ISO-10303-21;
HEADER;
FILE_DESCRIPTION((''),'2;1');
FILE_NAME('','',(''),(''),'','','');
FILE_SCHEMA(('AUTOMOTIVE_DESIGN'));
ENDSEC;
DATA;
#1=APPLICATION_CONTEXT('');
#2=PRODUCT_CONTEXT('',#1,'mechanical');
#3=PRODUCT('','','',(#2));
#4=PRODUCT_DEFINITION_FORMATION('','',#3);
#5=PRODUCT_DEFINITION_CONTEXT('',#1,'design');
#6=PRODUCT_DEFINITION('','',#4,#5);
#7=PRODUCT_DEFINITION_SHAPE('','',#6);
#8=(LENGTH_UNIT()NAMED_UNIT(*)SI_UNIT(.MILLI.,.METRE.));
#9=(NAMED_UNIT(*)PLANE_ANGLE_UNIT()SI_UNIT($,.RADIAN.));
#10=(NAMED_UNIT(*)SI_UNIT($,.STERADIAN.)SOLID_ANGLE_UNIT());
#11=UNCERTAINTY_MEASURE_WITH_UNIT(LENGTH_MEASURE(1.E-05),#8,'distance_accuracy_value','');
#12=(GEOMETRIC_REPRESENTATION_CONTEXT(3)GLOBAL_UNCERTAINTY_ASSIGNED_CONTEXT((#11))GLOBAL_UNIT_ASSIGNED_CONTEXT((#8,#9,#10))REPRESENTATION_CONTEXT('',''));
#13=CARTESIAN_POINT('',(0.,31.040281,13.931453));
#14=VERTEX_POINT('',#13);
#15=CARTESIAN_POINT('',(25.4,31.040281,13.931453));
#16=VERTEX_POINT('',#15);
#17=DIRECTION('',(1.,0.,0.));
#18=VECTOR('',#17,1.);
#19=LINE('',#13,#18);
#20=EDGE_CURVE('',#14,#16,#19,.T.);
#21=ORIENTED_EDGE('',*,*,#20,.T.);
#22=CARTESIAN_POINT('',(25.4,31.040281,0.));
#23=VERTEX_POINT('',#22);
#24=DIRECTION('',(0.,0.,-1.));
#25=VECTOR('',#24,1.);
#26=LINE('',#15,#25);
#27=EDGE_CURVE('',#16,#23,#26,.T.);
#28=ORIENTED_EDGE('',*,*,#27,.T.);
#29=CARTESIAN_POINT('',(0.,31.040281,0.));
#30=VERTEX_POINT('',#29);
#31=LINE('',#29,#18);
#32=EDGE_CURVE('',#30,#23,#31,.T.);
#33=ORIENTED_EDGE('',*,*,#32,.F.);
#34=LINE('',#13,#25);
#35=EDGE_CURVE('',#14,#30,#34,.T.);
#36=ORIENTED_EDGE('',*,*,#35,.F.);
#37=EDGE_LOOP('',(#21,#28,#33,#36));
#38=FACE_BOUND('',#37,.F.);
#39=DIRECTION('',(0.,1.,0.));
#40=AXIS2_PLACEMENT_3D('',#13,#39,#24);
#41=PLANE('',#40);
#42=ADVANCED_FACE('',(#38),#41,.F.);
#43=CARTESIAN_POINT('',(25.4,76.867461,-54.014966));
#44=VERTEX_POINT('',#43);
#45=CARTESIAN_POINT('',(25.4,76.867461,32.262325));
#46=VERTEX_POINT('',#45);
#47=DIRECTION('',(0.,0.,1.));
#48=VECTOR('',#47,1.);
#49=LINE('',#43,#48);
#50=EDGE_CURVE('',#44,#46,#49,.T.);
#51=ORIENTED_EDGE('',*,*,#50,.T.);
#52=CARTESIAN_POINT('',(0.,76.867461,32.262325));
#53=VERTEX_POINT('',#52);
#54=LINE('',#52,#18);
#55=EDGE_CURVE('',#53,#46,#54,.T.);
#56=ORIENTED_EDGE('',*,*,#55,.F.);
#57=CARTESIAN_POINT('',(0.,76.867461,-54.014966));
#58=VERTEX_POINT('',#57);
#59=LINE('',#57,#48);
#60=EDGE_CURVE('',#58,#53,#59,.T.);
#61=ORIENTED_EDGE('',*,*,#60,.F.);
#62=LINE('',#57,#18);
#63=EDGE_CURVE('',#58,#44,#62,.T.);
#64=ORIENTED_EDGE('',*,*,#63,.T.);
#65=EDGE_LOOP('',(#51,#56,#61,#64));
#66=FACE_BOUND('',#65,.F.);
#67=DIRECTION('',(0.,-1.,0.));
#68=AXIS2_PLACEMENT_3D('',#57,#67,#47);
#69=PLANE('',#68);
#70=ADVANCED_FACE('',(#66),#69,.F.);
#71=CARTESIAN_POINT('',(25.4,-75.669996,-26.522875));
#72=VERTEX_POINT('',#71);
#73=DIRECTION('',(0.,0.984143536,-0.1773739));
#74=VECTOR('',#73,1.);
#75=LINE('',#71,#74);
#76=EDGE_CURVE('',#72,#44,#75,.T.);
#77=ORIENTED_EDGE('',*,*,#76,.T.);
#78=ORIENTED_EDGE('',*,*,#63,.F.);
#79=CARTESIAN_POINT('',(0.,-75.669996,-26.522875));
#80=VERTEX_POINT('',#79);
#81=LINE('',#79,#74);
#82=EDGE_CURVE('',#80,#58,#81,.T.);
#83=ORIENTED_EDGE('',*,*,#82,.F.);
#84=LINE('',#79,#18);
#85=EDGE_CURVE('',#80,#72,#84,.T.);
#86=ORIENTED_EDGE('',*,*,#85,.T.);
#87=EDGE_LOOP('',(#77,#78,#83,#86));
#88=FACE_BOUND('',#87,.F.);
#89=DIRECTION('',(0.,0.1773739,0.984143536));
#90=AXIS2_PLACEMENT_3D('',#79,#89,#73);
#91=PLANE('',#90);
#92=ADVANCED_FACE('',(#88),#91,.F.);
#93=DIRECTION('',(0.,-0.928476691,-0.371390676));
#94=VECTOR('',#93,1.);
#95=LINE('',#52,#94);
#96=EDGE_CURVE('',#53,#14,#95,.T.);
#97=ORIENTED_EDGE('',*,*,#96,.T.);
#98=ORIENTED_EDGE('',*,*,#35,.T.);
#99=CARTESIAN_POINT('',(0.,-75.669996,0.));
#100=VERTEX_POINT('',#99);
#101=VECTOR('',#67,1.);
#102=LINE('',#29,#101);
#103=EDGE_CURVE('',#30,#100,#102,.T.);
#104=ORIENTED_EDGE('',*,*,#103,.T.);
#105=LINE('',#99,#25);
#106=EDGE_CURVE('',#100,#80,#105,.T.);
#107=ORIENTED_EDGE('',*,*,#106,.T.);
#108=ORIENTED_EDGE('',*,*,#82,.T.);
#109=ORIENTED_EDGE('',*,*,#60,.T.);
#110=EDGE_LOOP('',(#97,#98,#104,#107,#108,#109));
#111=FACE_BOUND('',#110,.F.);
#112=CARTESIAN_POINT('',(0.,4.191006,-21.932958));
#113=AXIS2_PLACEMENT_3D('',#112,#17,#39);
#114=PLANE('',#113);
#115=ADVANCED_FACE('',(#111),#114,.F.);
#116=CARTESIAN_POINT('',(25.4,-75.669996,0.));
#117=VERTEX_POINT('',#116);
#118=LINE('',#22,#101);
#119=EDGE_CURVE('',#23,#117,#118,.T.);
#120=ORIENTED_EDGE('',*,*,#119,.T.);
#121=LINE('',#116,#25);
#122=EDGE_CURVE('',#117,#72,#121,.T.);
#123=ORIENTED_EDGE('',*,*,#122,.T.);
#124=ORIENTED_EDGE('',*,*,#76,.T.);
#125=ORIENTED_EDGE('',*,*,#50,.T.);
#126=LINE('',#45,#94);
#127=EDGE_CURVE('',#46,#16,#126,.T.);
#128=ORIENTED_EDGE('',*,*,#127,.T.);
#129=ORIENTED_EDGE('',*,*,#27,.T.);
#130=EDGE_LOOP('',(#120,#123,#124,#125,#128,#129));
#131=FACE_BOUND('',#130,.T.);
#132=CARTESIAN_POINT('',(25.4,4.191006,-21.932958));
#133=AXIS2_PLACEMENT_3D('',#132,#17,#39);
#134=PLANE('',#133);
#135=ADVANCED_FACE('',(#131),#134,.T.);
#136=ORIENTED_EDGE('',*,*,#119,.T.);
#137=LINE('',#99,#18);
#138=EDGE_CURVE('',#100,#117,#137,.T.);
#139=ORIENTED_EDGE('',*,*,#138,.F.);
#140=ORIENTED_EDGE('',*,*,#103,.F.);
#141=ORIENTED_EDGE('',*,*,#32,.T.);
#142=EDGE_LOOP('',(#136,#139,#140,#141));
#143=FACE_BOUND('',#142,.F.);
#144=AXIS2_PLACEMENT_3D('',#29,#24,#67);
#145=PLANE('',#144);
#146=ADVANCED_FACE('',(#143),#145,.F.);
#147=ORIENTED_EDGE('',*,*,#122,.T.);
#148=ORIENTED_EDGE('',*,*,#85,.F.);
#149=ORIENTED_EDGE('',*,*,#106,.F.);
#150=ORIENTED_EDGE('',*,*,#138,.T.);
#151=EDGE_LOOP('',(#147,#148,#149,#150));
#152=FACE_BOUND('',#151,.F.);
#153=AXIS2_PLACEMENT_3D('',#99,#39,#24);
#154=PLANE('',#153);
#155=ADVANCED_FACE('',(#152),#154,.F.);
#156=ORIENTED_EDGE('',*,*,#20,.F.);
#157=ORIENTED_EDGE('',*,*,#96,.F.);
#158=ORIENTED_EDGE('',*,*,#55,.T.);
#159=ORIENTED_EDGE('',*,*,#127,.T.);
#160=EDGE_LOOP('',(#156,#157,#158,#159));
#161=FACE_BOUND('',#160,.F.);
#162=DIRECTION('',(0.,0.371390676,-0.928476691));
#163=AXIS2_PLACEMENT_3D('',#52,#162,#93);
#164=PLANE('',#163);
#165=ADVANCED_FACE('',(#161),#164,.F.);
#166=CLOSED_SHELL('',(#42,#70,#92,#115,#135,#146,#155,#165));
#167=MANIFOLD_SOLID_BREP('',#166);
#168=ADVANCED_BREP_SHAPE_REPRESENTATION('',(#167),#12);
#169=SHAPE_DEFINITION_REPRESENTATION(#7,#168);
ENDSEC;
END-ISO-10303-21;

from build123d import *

# Parameters (mm, degrees)
F1_DEPTH = 25.4


with BuildPart() as f1:
    # F0 (on Right) → F1 (new body)
    with BuildSketch(Plane.YZ):
        Polygon((16.642717, 0), (-75.669996, 0), (-75.669996, -26.522875), (76.867461, -54.014966), (76.867461, -26.522875), (31.040281, 0), (25.836868, 0), (29.329389, -22.730291), align=None)
        Polygon((25.836868, 0), (16.642717, 0), (29.329389, -22.730291), align=None)
        Polygon((31.040281, 13.931453), (31.040281, 0), (76.867461, -26.522875), (76.867461, 32.262325), align=None)
    extrude(amount=F1_DEPTH)


solid = f1.part
